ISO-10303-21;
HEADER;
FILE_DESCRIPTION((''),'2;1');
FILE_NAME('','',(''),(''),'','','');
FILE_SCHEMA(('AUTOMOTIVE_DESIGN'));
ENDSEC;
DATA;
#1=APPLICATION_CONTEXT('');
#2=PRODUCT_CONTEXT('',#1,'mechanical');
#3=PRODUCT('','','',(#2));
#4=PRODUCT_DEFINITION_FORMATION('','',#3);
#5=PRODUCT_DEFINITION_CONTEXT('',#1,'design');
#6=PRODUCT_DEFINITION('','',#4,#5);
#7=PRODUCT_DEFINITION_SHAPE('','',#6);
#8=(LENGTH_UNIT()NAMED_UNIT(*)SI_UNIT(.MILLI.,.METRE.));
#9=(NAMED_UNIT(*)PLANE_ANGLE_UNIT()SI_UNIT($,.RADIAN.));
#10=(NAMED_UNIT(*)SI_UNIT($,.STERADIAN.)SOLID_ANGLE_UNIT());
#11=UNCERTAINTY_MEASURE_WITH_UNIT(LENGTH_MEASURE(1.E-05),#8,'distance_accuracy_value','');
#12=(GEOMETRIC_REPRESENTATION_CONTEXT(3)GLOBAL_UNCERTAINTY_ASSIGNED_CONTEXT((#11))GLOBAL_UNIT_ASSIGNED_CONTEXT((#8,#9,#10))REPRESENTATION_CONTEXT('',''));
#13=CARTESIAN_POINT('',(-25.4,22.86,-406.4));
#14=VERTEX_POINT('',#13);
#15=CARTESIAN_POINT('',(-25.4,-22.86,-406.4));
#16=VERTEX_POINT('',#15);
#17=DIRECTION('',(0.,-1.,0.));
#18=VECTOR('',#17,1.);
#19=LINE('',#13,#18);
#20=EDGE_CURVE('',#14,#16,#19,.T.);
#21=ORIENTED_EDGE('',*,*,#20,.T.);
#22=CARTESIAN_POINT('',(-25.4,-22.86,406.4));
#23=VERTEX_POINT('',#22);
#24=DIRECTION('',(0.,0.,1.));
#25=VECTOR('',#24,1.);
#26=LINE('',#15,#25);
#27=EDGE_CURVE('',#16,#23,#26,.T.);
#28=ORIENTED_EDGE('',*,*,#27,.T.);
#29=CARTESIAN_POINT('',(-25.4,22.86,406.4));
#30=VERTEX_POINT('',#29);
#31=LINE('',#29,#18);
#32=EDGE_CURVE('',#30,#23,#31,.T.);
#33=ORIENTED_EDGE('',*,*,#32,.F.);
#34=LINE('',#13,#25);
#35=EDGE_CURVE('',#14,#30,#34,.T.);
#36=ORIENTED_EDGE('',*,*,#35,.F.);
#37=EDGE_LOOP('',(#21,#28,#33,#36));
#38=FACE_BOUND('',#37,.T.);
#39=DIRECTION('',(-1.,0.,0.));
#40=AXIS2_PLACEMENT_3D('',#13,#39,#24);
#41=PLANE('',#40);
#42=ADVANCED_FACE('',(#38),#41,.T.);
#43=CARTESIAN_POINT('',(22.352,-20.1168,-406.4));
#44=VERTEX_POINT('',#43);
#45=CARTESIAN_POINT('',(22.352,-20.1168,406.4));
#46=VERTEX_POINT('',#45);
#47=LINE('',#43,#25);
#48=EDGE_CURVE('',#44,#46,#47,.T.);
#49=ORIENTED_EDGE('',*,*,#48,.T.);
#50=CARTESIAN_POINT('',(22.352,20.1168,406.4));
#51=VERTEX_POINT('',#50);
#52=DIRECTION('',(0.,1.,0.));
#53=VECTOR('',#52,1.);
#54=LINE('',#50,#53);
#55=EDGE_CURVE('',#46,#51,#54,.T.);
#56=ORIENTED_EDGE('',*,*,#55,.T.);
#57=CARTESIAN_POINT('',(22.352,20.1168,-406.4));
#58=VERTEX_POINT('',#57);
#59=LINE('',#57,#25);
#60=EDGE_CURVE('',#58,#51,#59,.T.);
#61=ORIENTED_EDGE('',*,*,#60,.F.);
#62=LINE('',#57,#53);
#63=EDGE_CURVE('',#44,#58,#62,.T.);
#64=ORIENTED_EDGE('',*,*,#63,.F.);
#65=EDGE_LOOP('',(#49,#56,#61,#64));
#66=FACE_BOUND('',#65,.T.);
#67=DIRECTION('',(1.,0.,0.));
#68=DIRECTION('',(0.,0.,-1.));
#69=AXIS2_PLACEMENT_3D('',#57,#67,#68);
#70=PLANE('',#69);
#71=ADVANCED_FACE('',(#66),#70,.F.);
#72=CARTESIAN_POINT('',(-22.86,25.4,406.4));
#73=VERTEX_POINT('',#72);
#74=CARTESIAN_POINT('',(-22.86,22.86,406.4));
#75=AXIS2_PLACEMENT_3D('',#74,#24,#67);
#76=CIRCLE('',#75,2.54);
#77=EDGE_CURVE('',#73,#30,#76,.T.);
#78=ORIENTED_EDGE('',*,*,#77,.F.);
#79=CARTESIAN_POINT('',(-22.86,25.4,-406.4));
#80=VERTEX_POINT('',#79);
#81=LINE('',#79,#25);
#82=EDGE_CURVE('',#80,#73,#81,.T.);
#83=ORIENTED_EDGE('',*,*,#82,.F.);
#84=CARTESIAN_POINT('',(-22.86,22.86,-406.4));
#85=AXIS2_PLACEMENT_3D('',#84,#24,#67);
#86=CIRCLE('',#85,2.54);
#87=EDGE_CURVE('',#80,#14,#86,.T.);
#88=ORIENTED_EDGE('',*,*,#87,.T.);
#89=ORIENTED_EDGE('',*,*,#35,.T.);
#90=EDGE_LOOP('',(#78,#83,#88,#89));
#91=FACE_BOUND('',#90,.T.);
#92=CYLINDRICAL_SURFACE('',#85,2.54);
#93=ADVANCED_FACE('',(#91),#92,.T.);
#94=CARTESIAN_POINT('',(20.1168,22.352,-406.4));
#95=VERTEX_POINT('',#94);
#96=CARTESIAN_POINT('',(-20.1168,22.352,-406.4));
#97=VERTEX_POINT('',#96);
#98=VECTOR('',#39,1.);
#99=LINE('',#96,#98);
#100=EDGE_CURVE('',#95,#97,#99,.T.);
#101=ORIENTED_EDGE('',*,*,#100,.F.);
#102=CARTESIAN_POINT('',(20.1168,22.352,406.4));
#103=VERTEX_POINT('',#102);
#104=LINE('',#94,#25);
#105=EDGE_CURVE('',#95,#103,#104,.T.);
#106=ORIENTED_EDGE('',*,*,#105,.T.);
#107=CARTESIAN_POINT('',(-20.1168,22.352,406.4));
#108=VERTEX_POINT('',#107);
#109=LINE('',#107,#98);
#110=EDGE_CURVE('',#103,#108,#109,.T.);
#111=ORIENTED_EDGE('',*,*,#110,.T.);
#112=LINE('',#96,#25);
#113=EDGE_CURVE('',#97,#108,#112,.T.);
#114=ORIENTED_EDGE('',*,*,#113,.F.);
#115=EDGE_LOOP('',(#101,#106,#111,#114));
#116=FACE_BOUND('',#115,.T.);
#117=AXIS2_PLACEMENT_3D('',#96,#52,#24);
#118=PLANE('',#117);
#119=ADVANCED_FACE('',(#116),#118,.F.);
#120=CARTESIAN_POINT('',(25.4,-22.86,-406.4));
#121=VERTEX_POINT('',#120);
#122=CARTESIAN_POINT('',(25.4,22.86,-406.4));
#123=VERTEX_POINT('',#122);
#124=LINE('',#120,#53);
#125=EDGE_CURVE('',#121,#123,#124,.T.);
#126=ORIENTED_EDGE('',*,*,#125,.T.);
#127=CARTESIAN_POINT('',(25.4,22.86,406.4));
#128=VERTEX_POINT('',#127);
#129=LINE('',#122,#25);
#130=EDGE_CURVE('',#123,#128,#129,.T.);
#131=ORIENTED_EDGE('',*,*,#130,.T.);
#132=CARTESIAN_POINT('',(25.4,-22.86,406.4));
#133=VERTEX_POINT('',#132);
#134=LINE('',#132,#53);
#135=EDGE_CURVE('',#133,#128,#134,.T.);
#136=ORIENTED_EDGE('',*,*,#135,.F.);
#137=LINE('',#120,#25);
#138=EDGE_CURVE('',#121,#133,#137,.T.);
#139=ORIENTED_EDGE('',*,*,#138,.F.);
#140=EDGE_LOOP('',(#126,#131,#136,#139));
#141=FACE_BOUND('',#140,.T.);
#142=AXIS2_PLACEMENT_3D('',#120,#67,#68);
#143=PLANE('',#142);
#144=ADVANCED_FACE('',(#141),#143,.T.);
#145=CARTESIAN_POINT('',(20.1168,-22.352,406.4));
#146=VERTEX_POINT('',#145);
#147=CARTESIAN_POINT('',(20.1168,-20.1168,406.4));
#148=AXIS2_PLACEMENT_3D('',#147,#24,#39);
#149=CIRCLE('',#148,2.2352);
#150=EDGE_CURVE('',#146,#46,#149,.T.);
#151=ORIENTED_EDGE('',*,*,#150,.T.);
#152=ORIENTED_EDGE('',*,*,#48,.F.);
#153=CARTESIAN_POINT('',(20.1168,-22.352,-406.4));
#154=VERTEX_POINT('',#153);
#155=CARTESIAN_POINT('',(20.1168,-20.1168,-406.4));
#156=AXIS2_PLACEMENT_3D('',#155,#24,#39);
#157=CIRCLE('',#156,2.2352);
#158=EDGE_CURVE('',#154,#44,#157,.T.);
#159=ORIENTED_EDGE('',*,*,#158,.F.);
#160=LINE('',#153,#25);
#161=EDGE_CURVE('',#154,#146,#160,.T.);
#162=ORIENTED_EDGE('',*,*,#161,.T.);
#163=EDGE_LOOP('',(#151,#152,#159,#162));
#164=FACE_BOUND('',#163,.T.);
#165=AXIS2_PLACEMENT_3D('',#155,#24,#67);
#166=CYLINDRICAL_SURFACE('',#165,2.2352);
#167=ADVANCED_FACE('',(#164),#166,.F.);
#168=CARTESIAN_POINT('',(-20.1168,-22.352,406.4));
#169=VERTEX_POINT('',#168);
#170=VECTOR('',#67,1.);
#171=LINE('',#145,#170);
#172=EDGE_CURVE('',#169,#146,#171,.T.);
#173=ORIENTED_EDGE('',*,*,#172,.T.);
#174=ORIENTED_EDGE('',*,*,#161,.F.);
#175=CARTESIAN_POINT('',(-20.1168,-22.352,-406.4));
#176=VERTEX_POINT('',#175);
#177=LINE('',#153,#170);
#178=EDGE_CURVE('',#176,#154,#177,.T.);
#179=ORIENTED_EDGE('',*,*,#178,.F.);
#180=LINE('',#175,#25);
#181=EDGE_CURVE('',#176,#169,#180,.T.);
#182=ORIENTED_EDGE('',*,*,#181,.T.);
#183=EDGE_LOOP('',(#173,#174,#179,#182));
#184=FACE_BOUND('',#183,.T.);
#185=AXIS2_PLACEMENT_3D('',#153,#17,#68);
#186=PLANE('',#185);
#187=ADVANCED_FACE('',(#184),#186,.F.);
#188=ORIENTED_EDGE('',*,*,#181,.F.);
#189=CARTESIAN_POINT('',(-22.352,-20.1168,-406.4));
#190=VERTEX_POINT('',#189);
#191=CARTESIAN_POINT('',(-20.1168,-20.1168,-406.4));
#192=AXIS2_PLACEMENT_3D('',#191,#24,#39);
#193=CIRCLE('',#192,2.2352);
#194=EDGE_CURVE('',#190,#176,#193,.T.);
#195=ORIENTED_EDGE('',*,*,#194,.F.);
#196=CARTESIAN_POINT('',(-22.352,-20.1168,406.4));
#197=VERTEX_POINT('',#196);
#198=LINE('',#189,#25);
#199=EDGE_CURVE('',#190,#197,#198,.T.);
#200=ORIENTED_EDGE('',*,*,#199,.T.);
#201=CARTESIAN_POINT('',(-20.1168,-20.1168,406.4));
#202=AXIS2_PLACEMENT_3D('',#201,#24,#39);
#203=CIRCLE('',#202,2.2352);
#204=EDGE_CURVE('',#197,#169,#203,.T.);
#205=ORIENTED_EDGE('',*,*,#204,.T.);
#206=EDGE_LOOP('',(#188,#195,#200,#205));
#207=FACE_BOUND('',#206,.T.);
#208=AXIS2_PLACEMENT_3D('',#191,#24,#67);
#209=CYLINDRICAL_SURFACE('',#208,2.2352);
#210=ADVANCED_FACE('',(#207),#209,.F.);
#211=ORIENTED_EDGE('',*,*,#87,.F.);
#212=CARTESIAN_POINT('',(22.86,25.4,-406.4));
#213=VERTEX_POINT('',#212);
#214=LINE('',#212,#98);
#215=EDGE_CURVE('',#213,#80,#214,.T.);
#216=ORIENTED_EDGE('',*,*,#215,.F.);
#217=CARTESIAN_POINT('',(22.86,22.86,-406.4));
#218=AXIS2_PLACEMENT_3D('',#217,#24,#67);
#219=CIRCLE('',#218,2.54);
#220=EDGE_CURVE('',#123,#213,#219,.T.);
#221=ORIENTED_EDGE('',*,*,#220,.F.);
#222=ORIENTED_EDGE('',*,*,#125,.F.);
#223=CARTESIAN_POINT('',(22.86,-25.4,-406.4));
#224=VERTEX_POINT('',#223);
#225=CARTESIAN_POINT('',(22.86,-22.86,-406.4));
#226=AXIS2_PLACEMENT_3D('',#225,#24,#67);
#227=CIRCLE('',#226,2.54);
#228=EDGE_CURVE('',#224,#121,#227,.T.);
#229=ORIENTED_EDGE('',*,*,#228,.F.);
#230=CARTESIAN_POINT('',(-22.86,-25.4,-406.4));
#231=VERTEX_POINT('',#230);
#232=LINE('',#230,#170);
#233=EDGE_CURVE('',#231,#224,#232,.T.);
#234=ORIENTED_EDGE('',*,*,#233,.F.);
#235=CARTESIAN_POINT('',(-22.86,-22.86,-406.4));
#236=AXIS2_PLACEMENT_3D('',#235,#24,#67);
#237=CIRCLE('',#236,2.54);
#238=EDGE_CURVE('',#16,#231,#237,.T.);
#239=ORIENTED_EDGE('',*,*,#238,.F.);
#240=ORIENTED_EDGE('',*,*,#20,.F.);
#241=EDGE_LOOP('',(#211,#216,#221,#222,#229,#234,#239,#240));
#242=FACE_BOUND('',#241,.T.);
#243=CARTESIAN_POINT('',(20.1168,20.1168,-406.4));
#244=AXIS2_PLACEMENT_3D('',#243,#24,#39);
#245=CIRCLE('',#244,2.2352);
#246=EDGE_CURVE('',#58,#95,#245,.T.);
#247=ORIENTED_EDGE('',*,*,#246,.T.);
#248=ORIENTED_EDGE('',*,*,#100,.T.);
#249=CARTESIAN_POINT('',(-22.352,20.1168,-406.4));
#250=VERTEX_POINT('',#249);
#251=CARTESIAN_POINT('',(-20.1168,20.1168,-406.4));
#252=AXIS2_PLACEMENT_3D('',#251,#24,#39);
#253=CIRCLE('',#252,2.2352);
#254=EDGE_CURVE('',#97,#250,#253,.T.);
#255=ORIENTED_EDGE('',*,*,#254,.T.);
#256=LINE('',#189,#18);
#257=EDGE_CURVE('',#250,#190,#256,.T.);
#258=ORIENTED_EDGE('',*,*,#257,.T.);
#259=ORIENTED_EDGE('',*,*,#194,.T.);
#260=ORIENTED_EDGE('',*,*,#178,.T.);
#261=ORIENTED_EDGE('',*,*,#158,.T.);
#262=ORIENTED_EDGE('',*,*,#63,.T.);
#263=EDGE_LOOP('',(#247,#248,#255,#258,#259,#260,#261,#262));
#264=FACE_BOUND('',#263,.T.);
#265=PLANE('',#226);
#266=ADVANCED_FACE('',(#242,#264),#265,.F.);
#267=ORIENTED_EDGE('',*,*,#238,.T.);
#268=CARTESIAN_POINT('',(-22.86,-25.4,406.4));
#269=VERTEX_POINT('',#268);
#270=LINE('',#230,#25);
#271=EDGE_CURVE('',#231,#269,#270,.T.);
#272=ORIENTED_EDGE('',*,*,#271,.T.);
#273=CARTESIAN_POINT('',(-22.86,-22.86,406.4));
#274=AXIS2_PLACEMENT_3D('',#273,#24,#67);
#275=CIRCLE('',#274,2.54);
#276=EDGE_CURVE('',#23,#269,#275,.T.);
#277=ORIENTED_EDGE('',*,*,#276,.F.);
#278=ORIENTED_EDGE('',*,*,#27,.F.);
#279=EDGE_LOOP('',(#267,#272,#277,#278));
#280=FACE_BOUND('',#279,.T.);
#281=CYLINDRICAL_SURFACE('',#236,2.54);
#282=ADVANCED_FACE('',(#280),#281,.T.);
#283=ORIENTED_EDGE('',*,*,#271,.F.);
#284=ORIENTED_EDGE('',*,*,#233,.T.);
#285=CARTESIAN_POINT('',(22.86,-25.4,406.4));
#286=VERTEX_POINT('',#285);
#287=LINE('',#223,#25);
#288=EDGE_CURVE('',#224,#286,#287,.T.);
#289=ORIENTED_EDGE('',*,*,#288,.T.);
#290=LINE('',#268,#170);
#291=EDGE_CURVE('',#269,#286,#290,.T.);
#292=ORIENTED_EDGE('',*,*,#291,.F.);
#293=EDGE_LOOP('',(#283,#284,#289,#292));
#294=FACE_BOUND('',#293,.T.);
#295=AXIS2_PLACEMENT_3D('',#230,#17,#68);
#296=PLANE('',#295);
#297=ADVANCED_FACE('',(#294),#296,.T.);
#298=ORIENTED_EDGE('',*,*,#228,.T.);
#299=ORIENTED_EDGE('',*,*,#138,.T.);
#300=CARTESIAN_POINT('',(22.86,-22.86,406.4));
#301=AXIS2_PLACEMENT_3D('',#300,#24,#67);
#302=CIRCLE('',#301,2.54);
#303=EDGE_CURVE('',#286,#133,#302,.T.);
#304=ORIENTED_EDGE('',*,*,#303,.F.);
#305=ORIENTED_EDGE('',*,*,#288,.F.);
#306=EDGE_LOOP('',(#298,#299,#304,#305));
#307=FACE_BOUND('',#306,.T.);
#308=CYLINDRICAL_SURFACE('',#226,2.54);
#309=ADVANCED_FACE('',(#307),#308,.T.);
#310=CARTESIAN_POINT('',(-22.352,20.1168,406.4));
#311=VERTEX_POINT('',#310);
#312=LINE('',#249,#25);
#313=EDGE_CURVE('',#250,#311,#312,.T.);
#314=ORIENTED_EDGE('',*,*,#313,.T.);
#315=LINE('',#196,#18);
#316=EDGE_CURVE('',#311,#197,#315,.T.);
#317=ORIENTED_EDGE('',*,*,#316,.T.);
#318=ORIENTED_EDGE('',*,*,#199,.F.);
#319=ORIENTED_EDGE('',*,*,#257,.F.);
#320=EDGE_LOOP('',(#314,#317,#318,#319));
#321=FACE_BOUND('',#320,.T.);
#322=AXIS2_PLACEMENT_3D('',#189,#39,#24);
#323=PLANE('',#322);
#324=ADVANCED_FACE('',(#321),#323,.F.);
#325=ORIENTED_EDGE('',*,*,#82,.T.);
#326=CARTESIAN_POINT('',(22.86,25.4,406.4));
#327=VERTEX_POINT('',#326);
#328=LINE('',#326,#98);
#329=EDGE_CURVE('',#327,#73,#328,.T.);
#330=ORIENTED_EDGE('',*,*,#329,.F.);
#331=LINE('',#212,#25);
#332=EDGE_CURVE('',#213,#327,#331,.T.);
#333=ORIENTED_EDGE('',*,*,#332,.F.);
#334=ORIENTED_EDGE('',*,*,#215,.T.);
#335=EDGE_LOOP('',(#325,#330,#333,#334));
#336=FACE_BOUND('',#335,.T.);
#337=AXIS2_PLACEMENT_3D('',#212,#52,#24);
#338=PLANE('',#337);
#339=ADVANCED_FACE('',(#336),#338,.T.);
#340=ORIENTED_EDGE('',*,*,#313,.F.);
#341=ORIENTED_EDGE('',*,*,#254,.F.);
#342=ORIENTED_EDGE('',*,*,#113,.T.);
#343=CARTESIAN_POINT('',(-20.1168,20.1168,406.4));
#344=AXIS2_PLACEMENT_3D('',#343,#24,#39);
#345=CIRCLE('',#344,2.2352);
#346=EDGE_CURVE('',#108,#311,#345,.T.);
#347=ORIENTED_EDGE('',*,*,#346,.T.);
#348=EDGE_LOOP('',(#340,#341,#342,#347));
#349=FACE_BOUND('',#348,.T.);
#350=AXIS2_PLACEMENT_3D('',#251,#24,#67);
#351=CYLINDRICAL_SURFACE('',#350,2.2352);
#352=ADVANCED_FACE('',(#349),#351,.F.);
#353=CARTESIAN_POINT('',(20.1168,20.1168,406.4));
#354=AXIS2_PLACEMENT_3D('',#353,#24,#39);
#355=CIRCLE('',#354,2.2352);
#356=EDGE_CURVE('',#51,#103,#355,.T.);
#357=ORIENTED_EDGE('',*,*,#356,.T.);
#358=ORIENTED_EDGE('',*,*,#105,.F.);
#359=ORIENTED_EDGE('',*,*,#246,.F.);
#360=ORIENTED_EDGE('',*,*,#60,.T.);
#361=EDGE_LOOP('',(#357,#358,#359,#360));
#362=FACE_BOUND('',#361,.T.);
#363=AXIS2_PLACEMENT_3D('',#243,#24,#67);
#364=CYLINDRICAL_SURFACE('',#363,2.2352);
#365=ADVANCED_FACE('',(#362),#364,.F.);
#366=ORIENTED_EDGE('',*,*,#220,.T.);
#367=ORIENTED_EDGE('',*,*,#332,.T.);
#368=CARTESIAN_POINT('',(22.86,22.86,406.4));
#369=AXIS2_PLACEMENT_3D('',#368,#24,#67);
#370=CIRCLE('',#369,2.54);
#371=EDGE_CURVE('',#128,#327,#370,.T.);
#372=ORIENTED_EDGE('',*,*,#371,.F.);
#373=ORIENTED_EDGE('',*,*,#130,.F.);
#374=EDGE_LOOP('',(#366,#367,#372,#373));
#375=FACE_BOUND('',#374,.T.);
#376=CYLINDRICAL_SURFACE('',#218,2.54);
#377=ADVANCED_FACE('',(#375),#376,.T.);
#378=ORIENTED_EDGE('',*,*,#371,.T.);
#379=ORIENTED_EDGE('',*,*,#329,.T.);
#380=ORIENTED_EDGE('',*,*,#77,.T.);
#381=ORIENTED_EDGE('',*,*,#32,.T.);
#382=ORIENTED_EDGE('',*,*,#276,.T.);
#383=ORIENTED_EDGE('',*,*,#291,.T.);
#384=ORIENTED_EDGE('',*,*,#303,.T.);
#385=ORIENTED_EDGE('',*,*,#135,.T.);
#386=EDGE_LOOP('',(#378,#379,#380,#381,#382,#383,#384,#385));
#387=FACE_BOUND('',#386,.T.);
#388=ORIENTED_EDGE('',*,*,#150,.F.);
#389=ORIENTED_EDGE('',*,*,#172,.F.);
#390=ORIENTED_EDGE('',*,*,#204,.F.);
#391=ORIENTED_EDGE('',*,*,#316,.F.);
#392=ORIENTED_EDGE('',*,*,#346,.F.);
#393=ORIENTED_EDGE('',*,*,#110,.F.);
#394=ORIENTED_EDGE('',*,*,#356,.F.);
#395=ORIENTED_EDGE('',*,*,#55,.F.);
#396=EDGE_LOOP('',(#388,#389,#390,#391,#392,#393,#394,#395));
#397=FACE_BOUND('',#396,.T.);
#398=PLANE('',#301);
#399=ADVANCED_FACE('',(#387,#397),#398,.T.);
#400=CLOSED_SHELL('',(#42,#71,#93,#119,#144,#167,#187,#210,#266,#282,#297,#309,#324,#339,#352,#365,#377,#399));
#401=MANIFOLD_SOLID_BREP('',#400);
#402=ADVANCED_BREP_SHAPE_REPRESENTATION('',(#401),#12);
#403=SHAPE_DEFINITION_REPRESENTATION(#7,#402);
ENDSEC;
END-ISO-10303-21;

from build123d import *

# Parameters (mm, degrees)
BOSS_EXTRU_1_DEPTH = 812.8


with BuildPart() as part:
    # Esquisse1 → Boss.-Extru.1 (new body)
    with BuildSketch(Plane.XY.offset(406.4)):
        with BuildLine():
            Line((25.4, -22.86), (25.4, 22.86))
            ThreePointArc((25.4, 22.86), (24.656051224, 24.656051224), (22.86, 25.4))
            Line((22.86, 25.4), (-22.86, 25.4))
            ThreePointArc((-22.86, 25.4), (-24.656051224, 24.656051224), (-25.4, 22.86))
            Line((-25.4, 22.86), (-25.4, -22.86))
            ThreePointArc((-25.4, -22.86), (-24.656051224, -24.656051224), (-22.86, -25.4))
            Line((-22.86, -25.4), (22.86, -25.4))
            ThreePointArc((22.86, -25.4), (24.656051224, -24.656051224), (25.4, -22.86))
        make_face()
        with BuildLine():
            Line((-20.1168, 22.352), (20.1168, 22.352))
            ThreePointArc((20.1168, 22.352), (21.697325077, 21.697325077), (22.352, 20.1168))
            Line((22.352, 20.1168), (22.352, -20.1168))
            ThreePointArc((22.352, -20.1168), (21.697325077, -21.697325077), (20.1168, -22.352))
            Line((20.1168, -22.352), (-20.1168, -22.352))
            ThreePointArc((-20.1168, -22.352), (-21.697325077, -21.697325077), (-22.352, -20.1168))
            Line((-22.352, -20.1168), (-22.352, 20.1168))
            ThreePointArc((-22.352, 20.1168), (-21.697325077, 21.697325077), (-20.1168, 22.352))
        make_face(mode=Mode.SUBTRACT)
    extrude(amount=-BOSS_EXTRU_1_DEPTH)


solid = part.part
